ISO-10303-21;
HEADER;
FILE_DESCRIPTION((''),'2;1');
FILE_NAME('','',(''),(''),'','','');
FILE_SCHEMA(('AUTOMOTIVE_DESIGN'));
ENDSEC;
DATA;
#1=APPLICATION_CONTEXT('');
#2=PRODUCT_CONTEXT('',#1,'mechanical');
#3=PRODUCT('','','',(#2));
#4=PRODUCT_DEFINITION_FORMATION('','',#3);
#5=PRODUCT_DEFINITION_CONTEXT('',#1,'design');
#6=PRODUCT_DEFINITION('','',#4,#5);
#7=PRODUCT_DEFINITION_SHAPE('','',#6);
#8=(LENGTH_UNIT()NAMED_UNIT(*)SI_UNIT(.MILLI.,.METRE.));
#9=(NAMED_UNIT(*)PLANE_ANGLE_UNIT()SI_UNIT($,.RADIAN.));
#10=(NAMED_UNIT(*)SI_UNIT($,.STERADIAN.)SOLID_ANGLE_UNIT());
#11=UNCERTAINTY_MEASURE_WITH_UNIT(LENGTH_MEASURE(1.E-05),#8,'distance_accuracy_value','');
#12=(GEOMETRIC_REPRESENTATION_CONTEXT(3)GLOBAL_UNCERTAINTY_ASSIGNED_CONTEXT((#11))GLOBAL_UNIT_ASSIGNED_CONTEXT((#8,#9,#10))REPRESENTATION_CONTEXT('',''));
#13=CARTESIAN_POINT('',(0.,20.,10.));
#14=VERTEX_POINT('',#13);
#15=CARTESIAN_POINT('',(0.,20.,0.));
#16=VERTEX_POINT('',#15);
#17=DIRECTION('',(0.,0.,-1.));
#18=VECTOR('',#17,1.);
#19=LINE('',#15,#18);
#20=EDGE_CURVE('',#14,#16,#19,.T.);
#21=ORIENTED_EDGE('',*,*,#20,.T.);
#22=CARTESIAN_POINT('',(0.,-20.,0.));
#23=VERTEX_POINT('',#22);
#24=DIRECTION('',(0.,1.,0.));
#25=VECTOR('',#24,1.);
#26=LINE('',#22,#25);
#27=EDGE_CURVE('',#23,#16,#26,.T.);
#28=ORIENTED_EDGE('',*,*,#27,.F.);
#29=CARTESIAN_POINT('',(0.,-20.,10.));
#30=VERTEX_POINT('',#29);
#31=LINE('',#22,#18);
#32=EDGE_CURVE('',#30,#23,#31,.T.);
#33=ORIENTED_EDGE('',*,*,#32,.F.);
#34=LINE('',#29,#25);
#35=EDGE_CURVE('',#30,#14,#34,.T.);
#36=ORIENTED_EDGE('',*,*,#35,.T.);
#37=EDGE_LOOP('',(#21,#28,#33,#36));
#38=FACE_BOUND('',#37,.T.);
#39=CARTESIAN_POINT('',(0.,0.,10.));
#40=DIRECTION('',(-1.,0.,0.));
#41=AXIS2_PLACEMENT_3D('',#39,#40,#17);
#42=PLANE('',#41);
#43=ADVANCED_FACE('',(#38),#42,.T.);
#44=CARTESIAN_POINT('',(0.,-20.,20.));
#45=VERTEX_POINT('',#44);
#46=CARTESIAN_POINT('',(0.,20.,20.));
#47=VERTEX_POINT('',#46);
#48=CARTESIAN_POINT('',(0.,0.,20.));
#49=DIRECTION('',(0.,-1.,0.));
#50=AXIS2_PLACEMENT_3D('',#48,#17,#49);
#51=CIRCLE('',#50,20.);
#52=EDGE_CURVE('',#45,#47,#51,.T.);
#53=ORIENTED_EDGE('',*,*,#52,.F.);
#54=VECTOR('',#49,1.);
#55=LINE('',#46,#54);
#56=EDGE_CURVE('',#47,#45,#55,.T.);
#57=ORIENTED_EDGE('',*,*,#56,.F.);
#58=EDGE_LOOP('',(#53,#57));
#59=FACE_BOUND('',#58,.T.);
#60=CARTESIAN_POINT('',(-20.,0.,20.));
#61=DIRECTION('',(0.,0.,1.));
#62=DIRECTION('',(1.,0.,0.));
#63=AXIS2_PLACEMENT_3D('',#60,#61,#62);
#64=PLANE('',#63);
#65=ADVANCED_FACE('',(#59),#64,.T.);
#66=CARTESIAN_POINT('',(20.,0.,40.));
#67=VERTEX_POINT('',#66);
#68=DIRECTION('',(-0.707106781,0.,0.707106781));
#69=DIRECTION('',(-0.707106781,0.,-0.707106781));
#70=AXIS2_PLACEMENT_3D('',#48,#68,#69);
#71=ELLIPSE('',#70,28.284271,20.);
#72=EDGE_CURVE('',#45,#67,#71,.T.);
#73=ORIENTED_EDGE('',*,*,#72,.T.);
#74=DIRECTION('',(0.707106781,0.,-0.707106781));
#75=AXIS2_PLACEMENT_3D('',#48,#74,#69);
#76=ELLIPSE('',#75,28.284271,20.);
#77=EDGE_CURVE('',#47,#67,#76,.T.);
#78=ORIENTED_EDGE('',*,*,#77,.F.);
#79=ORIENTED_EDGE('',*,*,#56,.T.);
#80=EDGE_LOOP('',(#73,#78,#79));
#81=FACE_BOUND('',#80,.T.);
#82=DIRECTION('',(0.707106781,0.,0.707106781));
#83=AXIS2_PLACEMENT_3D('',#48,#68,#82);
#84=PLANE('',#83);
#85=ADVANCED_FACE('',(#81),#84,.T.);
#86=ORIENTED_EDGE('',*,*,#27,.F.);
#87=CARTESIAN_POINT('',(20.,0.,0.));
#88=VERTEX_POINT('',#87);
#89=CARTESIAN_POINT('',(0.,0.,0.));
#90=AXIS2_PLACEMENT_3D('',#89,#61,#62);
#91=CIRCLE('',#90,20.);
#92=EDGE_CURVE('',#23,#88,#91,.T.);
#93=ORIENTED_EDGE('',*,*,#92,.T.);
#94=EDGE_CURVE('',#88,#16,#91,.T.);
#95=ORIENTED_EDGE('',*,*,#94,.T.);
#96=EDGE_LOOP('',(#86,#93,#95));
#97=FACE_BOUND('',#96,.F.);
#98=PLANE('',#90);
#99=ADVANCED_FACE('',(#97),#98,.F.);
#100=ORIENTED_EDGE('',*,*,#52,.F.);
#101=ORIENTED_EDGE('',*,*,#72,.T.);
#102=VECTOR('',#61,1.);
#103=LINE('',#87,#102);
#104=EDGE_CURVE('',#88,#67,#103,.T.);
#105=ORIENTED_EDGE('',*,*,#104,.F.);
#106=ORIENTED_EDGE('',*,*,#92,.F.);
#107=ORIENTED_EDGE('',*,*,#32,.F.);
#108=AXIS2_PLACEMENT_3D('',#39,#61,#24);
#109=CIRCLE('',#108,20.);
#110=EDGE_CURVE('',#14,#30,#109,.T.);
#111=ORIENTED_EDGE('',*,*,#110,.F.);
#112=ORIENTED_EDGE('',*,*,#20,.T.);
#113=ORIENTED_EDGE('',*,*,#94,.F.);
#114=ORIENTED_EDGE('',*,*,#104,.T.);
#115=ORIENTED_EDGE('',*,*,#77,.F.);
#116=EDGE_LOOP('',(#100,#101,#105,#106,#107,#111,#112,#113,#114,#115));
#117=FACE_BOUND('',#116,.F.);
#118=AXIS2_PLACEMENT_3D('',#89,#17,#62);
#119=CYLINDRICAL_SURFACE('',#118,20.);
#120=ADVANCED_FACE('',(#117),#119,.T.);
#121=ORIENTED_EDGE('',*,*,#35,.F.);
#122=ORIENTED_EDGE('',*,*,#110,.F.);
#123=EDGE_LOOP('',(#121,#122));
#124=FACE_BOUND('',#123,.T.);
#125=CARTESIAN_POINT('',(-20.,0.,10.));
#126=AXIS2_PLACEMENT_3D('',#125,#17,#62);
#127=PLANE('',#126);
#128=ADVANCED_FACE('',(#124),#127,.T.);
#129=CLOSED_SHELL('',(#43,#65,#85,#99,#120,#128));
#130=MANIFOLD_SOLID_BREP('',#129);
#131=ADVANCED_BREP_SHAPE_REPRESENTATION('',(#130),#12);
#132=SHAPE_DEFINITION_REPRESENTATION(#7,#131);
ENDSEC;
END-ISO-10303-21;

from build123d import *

# Parameters (mm, degrees)
SKETCH1_R               = 20
BOSS_EXTRUDE1_DEPTH     = 40
CUT_EXTRUDE2_DEPTH      = 40
CUT_EXTRUDE2_DEPTH_BACK = 40
SKETCH2_W               = 20
SKETCH2_H               = 10


with BuildPart() as part:
    # Sketch1 → Boss-Extrude1 (new body)
    with BuildSketch(Plane.XY):
        Circle(SKETCH1_R)
    extrude(amount=BOSS_EXTRUDE1_DEPTH)

    # Sketch2 → Cut-Extrude2 (cut, two sides: drawn at the far end of the back side and taken through both)
    with BuildSketch(Plane(origin=(0, 0, 0), x_dir=(1, 0, 0), z_dir=(0, 1, 0)).offset(-CUT_EXTRUDE2_DEPTH_BACK)):
        Polygon((-20, -20), (0, -20), (20, -40), (-20, -40), align=None)
        with Locations((-10, -5)):
            Rectangle(SKETCH2_W, SKETCH2_H)
    extrude(amount=CUT_EXTRUDE2_DEPTH + CUT_EXTRUDE2_DEPTH_BACK, mode=Mode.SUBTRACT)


solid = part.part
